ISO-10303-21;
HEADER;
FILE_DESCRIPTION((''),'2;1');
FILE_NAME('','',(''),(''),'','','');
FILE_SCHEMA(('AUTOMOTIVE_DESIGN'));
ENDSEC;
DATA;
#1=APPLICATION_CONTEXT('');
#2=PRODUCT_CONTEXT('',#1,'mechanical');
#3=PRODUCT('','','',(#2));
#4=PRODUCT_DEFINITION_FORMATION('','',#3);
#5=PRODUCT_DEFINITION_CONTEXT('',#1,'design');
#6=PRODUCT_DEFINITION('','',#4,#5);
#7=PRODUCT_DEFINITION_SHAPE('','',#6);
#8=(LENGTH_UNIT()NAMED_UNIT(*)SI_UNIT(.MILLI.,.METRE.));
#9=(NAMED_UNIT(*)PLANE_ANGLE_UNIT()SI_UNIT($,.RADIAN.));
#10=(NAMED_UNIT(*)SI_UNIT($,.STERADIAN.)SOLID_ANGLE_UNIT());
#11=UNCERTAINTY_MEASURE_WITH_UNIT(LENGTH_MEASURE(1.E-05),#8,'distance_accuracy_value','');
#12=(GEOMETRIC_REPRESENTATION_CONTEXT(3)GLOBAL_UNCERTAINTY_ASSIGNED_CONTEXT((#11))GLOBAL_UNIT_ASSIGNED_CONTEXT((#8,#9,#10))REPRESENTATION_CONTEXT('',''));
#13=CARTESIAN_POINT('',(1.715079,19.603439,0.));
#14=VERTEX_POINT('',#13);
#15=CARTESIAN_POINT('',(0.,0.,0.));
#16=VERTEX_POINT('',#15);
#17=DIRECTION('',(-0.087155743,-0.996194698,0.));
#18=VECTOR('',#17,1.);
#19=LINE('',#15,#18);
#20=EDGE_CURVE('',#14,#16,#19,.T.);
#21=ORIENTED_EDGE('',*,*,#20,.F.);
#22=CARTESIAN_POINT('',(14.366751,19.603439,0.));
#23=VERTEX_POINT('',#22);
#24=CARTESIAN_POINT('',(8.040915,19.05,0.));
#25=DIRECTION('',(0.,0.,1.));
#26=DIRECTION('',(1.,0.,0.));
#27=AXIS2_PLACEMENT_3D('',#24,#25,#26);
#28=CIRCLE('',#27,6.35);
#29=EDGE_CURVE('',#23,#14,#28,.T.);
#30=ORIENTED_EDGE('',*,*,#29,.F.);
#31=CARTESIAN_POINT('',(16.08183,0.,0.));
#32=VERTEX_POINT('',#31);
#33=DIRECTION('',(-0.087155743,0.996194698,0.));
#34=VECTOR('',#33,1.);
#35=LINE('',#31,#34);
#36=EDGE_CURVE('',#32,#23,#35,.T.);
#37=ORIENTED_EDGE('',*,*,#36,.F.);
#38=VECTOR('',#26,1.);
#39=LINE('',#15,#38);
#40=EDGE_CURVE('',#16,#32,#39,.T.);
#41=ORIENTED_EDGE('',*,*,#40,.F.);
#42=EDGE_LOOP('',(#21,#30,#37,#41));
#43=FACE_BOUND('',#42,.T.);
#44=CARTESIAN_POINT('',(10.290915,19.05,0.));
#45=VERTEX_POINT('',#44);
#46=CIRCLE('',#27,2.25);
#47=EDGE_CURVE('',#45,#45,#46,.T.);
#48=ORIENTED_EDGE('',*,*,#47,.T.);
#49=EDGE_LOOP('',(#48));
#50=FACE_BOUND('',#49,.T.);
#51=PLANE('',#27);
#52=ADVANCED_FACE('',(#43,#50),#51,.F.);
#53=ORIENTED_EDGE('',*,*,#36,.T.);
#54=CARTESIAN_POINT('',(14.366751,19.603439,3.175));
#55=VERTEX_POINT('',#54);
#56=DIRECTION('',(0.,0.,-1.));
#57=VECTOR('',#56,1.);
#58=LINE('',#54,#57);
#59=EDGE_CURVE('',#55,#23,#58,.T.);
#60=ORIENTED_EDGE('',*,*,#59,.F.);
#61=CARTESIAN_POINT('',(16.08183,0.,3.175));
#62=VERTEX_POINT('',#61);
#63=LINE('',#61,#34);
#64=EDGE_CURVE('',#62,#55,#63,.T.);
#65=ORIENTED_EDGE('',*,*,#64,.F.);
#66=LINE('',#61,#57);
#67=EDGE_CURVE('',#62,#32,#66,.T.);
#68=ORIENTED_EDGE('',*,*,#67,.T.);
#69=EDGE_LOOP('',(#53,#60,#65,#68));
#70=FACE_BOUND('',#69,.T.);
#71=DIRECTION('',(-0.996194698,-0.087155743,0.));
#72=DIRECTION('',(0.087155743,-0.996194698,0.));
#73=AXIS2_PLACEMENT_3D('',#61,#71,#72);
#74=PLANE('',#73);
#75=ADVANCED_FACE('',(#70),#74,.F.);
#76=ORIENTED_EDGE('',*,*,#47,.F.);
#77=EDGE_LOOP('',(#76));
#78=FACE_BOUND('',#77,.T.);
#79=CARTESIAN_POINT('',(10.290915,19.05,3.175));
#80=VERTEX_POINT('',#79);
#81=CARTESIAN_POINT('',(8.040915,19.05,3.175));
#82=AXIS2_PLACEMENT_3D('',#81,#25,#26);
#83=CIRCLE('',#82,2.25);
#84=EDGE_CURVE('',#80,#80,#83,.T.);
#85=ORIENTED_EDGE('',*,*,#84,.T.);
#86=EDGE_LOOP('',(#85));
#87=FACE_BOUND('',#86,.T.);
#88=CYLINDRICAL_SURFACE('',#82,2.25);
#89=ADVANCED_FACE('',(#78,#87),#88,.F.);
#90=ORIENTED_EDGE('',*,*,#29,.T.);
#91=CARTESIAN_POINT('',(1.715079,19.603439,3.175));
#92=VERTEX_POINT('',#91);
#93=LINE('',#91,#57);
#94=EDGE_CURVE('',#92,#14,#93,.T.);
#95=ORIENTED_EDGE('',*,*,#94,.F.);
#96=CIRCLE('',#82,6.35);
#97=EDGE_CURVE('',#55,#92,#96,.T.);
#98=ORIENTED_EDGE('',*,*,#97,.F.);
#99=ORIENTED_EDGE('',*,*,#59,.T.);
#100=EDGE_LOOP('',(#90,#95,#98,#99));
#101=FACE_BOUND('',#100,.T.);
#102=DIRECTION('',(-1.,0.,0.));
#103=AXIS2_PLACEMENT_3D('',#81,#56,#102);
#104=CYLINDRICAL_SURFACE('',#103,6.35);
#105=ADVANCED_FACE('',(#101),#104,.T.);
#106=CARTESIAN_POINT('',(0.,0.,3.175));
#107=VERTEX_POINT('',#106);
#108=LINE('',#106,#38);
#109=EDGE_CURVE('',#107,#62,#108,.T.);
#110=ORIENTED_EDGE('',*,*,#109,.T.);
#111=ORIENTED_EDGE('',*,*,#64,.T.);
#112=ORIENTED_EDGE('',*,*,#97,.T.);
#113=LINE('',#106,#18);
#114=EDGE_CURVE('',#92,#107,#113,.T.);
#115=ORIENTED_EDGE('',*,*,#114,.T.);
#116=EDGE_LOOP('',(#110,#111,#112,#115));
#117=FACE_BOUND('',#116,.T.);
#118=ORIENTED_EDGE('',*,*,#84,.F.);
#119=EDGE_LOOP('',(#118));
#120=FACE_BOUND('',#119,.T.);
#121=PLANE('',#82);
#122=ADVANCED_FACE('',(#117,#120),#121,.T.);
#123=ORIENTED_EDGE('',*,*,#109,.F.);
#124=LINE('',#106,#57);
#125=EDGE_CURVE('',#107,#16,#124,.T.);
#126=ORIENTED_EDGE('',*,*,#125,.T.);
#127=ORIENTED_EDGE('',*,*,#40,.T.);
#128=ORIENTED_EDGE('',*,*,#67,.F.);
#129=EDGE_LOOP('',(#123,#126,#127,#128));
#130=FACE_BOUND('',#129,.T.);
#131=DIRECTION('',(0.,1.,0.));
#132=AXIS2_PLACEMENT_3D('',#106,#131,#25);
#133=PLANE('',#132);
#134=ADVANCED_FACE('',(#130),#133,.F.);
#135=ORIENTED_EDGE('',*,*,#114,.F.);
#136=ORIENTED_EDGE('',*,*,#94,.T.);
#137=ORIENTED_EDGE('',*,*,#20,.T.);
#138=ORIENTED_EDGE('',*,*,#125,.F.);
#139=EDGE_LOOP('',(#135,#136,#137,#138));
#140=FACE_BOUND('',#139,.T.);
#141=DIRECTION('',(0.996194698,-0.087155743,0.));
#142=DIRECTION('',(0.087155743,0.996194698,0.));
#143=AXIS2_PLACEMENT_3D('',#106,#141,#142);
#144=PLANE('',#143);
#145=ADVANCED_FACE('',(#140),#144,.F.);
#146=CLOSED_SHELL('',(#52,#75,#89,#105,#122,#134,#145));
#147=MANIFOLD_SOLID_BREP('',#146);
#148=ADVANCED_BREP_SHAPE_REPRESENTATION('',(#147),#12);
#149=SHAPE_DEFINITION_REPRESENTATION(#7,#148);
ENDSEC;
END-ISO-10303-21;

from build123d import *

# Parameters (mm, degrees)
BOSS_EXTRUDE1_DEPTH      = 3.175
M4_CLEARANCE_HOLE1_D     = 4.5
M4_CLEARANCE_HOLE1_DEPTH = 16.002
M4_CLEARANCE_HOLE1_TIP   = 1.351936393


with BuildPart() as part:
    # Sketch1 → Boss-Extrude1 (new body)
    with BuildSketch(Plane.XY):
        with BuildLine():
            Line((0, 0), (16.081830017, 0))
            Line((16.081830017, 0), (14.366751341, 19.603438966))
            ThreePointArc((14.366751341, 19.603438966), (8.040915009, 25.4), (1.715078676, 19.603438966))
            Line((1.715078676, 19.603438966), (0, 0))
        make_face()
    extrude(amount=BOSS_EXTRUDE1_DEPTH)

    # M4 Clearance Hole1
    with Locations(Plane.XY.offset(3.175)):
        with Locations((8.040915009, 19.05)):
            Hole(M4_CLEARANCE_HOLE1_D / 2, depth=M4_CLEARANCE_HOLE1_DEPTH)
            with Locations((0, 0, -(M4_CLEARANCE_HOLE1_DEPTH + M4_CLEARANCE_HOLE1_TIP / 2))):  # 118° drill point
                Cone(0, M4_CLEARANCE_HOLE1_D / 2, M4_CLEARANCE_HOLE1_TIP, mode=Mode.SUBTRACT)


solid = part.part
